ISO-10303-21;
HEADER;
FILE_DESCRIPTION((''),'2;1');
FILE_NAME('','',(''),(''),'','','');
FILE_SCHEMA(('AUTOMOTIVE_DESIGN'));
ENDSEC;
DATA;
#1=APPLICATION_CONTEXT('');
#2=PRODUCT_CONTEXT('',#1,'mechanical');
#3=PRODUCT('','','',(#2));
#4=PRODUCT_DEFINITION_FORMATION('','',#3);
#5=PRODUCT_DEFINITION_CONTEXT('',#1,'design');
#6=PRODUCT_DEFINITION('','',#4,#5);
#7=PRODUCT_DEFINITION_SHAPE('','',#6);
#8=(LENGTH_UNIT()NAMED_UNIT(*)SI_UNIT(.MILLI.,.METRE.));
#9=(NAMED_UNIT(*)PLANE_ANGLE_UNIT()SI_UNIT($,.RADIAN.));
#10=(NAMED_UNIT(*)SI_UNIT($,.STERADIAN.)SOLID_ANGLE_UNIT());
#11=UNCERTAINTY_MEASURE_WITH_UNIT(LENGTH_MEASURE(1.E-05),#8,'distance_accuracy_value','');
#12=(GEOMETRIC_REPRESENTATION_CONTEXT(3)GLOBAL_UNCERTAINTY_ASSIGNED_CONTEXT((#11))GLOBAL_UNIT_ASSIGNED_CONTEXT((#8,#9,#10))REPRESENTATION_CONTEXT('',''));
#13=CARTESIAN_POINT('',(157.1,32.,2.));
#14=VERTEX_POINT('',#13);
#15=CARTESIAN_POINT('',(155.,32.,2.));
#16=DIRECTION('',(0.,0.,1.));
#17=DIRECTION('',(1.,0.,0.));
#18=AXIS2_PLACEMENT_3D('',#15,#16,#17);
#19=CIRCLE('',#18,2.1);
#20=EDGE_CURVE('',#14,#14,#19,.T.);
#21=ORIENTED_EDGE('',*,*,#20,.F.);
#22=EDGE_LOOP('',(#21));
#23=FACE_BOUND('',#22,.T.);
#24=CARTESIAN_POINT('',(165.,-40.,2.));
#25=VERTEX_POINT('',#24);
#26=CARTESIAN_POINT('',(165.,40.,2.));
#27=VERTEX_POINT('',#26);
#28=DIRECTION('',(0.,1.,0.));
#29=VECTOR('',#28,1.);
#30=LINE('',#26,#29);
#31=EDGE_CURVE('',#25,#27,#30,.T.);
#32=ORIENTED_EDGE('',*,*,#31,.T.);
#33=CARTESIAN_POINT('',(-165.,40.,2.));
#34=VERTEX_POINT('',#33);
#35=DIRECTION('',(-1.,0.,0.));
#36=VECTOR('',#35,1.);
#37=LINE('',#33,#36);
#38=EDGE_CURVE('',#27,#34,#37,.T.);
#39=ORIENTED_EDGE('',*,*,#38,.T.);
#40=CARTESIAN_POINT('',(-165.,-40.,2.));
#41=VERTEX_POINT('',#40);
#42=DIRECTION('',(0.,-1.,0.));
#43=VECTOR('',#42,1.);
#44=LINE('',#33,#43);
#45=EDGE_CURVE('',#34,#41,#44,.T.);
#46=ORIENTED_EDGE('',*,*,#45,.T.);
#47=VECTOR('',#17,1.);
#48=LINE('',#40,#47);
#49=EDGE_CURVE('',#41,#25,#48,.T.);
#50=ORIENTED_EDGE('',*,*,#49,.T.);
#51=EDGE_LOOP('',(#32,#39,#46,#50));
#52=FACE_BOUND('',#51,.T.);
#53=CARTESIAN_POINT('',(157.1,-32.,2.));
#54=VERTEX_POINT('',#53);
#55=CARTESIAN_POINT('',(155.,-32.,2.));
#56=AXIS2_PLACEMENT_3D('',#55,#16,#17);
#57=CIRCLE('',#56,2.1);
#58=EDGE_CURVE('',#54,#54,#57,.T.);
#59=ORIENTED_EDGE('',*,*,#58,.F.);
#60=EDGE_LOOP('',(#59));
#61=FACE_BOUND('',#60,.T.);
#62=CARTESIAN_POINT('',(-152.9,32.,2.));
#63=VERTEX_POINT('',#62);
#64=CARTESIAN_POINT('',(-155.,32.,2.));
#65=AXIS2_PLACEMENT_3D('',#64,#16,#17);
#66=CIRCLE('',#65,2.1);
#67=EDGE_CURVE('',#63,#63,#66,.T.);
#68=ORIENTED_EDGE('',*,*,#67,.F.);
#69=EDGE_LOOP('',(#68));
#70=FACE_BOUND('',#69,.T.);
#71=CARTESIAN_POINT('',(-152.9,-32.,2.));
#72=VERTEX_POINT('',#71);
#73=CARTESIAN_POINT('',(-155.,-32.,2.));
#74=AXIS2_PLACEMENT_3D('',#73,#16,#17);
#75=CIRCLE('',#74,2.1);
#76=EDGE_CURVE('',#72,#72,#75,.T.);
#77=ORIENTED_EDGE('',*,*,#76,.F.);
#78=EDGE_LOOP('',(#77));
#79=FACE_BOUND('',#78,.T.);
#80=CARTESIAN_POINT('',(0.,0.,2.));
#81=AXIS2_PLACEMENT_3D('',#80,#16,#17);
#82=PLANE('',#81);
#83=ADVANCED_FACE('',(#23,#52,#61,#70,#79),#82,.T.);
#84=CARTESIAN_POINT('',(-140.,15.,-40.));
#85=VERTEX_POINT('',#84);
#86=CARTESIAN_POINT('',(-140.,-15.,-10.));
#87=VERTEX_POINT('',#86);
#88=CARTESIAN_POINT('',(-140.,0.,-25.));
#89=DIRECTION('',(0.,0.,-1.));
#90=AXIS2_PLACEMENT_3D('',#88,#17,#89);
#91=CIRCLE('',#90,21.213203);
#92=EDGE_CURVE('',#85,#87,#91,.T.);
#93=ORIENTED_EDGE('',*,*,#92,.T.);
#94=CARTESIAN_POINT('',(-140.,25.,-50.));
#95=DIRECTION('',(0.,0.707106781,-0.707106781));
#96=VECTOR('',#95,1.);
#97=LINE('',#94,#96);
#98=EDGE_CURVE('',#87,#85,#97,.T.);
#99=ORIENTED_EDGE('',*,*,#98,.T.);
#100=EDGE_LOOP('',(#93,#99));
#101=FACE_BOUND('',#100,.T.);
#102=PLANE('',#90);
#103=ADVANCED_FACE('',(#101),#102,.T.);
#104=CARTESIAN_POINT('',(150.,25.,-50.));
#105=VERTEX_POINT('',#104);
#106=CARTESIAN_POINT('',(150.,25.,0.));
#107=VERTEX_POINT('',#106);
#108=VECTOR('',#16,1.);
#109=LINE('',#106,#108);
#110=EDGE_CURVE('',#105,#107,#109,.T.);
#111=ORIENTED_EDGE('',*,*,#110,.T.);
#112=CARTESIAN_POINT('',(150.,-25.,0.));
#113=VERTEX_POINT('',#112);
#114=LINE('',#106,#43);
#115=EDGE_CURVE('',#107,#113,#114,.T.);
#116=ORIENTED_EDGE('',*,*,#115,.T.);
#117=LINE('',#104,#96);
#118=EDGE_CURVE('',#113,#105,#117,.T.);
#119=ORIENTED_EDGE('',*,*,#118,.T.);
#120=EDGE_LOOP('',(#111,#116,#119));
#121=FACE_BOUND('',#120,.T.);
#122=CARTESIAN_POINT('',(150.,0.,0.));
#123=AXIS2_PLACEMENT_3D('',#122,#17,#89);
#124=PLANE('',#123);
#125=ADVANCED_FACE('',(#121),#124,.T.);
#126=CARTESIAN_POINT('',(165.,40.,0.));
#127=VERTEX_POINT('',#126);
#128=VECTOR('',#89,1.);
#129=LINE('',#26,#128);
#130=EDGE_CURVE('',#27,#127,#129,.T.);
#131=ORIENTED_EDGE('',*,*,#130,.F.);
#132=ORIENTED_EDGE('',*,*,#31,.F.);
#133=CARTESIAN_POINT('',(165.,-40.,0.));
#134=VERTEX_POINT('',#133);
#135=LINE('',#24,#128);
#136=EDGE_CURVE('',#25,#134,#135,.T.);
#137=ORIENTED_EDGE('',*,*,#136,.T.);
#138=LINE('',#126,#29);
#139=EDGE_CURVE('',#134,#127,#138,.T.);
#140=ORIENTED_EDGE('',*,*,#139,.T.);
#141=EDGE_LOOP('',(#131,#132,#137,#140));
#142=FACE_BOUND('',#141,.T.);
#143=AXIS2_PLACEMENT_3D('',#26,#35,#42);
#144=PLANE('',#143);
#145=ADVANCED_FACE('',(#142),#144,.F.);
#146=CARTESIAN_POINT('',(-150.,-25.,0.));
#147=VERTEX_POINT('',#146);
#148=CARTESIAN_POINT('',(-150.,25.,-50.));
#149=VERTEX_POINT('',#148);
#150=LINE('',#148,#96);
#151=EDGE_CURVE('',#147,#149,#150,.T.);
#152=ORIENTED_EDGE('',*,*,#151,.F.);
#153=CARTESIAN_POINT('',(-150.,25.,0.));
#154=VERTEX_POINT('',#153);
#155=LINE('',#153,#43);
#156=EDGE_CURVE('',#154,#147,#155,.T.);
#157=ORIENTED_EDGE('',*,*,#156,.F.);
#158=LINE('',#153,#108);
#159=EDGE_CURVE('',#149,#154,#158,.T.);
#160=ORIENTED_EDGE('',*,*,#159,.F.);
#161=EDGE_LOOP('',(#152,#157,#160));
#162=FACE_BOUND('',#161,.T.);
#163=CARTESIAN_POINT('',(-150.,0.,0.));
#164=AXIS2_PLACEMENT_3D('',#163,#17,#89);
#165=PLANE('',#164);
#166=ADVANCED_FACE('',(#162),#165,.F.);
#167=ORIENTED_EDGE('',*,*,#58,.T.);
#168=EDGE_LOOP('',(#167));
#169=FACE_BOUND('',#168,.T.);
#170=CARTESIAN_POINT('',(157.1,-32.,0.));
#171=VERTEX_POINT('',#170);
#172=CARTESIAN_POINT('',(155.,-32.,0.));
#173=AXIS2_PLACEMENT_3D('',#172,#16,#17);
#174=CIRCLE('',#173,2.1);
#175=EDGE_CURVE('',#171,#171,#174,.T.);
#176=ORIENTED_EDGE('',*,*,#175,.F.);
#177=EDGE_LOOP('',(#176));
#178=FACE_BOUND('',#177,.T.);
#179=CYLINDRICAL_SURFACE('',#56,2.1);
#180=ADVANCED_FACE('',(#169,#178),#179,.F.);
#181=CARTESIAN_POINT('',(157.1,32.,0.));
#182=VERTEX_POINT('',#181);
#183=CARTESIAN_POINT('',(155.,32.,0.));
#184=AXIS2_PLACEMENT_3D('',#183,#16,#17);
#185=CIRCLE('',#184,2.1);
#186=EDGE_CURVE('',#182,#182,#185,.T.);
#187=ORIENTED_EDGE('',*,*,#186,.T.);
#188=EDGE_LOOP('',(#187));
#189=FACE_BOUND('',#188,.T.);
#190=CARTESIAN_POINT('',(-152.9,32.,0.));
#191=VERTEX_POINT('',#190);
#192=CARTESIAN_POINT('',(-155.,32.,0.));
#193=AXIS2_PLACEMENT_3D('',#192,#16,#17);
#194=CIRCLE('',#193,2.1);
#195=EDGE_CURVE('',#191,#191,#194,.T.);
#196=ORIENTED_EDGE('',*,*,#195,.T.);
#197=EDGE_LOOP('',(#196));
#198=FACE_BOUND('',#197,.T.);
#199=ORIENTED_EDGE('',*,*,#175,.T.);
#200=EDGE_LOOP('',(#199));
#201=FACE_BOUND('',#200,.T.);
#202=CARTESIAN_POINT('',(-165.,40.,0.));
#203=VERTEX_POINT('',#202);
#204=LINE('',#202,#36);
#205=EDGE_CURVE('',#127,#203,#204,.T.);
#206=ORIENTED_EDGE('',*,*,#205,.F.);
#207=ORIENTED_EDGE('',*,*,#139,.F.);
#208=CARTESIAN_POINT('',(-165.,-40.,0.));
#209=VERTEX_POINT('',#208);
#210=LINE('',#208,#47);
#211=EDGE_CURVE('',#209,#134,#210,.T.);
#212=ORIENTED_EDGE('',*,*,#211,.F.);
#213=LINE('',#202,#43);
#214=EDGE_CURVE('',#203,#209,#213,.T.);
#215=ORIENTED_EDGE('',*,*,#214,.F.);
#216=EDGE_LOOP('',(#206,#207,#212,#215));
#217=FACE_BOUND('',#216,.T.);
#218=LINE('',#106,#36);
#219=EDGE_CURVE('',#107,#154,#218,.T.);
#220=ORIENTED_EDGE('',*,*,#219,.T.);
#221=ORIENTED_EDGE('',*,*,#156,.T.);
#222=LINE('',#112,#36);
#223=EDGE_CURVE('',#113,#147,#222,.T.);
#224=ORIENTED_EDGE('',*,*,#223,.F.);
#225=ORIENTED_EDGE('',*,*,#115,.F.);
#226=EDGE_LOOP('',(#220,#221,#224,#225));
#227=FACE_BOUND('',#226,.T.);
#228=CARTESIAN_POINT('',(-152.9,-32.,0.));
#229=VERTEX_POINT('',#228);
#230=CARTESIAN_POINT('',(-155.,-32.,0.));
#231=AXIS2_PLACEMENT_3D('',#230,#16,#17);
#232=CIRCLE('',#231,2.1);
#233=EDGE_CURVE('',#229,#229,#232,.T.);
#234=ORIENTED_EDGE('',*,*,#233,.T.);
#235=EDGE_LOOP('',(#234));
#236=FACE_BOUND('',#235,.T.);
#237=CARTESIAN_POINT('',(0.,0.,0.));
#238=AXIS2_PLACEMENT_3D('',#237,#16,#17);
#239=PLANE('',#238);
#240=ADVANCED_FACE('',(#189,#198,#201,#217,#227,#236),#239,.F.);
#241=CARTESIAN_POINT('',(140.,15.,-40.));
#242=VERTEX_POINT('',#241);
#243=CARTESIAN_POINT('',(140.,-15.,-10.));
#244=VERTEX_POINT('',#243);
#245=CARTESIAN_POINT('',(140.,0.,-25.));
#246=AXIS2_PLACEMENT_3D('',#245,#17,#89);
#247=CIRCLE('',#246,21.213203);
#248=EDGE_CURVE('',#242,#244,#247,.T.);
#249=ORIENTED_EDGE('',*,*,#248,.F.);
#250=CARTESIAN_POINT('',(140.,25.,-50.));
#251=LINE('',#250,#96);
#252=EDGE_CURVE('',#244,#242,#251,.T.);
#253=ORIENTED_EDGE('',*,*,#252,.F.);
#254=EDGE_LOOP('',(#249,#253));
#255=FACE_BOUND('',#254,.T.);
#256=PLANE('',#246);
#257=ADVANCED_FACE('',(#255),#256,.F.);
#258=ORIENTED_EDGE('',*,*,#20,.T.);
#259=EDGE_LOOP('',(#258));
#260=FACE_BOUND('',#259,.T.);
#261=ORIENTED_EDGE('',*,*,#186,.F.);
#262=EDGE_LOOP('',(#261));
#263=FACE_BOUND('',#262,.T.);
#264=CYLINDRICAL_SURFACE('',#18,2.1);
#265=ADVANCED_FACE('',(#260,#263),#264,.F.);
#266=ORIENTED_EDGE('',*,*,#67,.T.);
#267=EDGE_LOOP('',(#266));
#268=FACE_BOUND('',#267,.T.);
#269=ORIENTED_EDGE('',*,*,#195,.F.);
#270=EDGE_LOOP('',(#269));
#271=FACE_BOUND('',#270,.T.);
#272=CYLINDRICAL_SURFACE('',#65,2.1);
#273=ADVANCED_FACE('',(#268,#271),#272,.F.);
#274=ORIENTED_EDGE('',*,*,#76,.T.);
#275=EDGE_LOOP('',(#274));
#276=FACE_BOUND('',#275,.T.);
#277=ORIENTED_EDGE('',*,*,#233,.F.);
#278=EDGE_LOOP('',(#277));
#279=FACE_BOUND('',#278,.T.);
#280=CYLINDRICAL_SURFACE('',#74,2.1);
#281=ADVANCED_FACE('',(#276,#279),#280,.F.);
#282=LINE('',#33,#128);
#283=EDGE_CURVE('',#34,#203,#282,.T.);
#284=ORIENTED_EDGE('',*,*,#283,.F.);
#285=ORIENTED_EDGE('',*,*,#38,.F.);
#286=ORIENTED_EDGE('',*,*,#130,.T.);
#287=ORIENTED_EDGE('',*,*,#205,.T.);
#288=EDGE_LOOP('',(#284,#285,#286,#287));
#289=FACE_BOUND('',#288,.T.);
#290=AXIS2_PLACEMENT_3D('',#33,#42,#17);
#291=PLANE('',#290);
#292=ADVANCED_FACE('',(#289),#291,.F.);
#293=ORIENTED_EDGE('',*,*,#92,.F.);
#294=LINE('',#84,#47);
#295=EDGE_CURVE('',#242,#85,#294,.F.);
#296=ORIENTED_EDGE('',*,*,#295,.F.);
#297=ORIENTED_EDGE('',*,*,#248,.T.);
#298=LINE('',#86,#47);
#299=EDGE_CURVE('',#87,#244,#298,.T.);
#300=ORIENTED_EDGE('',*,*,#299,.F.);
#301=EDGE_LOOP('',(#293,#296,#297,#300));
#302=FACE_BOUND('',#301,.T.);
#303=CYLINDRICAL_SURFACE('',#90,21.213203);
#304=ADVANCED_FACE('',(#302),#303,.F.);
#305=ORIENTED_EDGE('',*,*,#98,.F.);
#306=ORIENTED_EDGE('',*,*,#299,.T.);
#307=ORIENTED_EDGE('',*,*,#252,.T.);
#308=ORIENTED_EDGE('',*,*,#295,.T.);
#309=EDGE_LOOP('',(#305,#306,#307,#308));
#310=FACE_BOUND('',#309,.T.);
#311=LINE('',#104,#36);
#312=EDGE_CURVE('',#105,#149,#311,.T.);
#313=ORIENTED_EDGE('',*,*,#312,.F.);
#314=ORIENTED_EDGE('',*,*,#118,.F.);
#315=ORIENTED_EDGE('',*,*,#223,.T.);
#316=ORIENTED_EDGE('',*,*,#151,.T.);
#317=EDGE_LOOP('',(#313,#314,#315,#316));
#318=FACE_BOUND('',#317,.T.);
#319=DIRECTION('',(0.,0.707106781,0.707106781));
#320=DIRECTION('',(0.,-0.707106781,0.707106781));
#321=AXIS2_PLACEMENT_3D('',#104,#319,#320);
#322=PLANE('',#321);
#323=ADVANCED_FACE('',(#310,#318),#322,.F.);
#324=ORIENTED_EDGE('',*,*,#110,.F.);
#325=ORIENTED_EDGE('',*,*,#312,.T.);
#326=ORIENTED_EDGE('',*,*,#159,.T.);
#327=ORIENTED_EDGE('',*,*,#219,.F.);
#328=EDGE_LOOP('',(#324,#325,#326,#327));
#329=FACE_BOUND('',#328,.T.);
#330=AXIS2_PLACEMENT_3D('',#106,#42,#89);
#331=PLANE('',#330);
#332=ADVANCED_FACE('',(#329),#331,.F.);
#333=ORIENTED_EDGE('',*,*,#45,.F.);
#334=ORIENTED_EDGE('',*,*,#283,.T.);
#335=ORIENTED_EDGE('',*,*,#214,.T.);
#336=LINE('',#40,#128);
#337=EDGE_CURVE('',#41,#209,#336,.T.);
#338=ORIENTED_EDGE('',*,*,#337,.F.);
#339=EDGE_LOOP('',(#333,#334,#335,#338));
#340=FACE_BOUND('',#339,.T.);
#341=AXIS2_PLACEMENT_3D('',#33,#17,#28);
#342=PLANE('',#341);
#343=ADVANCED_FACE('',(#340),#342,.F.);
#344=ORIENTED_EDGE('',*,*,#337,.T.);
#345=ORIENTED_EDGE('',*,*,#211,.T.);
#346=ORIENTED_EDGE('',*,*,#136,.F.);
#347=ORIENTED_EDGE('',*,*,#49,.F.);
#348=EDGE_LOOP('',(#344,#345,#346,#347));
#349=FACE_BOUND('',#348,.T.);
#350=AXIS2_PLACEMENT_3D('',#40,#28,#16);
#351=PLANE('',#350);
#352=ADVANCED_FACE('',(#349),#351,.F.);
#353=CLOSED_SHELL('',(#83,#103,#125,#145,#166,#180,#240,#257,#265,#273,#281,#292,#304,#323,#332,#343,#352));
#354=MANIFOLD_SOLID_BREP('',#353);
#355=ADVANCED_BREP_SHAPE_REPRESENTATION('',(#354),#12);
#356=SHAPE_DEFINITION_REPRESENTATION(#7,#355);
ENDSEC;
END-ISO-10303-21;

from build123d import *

# Parameters (mm, degrees)
SKETCH_1_W          = 330
SKETCH_1_H          = 80
EXTRUDE_1_DEPTH     = 2
HOLE_WIZARD_M5_1_D  = 4.2
EXTRUDE_2_DEPTH     = 150
SKETCH_6_R          = 21.213203436
CUT_EXTRUDE_1_DEPTH = 280


with BuildPart() as part:
    # 草图1 → 凸台-拉伸1 (new body)
    with BuildSketch(Plane.XY):
        Rectangle(SKETCH_1_W, SKETCH_1_H)
    extrude(amount=EXTRUDE_1_DEPTH)

    # M5 螺纹孔1 (through all)
    with Locations(Plane.XY.offset(2)):
        with Locations((-155, 32), (-155, -32), (155, 32), (155, -32)):
            Hole(HOLE_WIZARD_M5_1_D / 2)

    # 草图5 → 凸台-拉伸2 (add, symmetric)
    with BuildSketch(Plane(origin=(0, 0, 0), x_dir=(0, 0, -1), z_dir=(1, 0, 0))):
        Polygon((0, 25), (0, -25), (50, 25), align=None)
    extrude(amount=EXTRUDE_2_DEPTH, both=True)

    # 草图6 → 切除-拉伸1 (cut)
    with BuildSketch(Plane(origin=(140, 0, 0), x_dir=(0, 0, -1), z_dir=(1, 0, 0))):
        with Locations((25, 0)):
            Circle(SKETCH_6_R)
    extrude(amount=-CUT_EXTRUDE_1_DEPTH, mode=Mode.SUBTRACT)


solid = part.part
